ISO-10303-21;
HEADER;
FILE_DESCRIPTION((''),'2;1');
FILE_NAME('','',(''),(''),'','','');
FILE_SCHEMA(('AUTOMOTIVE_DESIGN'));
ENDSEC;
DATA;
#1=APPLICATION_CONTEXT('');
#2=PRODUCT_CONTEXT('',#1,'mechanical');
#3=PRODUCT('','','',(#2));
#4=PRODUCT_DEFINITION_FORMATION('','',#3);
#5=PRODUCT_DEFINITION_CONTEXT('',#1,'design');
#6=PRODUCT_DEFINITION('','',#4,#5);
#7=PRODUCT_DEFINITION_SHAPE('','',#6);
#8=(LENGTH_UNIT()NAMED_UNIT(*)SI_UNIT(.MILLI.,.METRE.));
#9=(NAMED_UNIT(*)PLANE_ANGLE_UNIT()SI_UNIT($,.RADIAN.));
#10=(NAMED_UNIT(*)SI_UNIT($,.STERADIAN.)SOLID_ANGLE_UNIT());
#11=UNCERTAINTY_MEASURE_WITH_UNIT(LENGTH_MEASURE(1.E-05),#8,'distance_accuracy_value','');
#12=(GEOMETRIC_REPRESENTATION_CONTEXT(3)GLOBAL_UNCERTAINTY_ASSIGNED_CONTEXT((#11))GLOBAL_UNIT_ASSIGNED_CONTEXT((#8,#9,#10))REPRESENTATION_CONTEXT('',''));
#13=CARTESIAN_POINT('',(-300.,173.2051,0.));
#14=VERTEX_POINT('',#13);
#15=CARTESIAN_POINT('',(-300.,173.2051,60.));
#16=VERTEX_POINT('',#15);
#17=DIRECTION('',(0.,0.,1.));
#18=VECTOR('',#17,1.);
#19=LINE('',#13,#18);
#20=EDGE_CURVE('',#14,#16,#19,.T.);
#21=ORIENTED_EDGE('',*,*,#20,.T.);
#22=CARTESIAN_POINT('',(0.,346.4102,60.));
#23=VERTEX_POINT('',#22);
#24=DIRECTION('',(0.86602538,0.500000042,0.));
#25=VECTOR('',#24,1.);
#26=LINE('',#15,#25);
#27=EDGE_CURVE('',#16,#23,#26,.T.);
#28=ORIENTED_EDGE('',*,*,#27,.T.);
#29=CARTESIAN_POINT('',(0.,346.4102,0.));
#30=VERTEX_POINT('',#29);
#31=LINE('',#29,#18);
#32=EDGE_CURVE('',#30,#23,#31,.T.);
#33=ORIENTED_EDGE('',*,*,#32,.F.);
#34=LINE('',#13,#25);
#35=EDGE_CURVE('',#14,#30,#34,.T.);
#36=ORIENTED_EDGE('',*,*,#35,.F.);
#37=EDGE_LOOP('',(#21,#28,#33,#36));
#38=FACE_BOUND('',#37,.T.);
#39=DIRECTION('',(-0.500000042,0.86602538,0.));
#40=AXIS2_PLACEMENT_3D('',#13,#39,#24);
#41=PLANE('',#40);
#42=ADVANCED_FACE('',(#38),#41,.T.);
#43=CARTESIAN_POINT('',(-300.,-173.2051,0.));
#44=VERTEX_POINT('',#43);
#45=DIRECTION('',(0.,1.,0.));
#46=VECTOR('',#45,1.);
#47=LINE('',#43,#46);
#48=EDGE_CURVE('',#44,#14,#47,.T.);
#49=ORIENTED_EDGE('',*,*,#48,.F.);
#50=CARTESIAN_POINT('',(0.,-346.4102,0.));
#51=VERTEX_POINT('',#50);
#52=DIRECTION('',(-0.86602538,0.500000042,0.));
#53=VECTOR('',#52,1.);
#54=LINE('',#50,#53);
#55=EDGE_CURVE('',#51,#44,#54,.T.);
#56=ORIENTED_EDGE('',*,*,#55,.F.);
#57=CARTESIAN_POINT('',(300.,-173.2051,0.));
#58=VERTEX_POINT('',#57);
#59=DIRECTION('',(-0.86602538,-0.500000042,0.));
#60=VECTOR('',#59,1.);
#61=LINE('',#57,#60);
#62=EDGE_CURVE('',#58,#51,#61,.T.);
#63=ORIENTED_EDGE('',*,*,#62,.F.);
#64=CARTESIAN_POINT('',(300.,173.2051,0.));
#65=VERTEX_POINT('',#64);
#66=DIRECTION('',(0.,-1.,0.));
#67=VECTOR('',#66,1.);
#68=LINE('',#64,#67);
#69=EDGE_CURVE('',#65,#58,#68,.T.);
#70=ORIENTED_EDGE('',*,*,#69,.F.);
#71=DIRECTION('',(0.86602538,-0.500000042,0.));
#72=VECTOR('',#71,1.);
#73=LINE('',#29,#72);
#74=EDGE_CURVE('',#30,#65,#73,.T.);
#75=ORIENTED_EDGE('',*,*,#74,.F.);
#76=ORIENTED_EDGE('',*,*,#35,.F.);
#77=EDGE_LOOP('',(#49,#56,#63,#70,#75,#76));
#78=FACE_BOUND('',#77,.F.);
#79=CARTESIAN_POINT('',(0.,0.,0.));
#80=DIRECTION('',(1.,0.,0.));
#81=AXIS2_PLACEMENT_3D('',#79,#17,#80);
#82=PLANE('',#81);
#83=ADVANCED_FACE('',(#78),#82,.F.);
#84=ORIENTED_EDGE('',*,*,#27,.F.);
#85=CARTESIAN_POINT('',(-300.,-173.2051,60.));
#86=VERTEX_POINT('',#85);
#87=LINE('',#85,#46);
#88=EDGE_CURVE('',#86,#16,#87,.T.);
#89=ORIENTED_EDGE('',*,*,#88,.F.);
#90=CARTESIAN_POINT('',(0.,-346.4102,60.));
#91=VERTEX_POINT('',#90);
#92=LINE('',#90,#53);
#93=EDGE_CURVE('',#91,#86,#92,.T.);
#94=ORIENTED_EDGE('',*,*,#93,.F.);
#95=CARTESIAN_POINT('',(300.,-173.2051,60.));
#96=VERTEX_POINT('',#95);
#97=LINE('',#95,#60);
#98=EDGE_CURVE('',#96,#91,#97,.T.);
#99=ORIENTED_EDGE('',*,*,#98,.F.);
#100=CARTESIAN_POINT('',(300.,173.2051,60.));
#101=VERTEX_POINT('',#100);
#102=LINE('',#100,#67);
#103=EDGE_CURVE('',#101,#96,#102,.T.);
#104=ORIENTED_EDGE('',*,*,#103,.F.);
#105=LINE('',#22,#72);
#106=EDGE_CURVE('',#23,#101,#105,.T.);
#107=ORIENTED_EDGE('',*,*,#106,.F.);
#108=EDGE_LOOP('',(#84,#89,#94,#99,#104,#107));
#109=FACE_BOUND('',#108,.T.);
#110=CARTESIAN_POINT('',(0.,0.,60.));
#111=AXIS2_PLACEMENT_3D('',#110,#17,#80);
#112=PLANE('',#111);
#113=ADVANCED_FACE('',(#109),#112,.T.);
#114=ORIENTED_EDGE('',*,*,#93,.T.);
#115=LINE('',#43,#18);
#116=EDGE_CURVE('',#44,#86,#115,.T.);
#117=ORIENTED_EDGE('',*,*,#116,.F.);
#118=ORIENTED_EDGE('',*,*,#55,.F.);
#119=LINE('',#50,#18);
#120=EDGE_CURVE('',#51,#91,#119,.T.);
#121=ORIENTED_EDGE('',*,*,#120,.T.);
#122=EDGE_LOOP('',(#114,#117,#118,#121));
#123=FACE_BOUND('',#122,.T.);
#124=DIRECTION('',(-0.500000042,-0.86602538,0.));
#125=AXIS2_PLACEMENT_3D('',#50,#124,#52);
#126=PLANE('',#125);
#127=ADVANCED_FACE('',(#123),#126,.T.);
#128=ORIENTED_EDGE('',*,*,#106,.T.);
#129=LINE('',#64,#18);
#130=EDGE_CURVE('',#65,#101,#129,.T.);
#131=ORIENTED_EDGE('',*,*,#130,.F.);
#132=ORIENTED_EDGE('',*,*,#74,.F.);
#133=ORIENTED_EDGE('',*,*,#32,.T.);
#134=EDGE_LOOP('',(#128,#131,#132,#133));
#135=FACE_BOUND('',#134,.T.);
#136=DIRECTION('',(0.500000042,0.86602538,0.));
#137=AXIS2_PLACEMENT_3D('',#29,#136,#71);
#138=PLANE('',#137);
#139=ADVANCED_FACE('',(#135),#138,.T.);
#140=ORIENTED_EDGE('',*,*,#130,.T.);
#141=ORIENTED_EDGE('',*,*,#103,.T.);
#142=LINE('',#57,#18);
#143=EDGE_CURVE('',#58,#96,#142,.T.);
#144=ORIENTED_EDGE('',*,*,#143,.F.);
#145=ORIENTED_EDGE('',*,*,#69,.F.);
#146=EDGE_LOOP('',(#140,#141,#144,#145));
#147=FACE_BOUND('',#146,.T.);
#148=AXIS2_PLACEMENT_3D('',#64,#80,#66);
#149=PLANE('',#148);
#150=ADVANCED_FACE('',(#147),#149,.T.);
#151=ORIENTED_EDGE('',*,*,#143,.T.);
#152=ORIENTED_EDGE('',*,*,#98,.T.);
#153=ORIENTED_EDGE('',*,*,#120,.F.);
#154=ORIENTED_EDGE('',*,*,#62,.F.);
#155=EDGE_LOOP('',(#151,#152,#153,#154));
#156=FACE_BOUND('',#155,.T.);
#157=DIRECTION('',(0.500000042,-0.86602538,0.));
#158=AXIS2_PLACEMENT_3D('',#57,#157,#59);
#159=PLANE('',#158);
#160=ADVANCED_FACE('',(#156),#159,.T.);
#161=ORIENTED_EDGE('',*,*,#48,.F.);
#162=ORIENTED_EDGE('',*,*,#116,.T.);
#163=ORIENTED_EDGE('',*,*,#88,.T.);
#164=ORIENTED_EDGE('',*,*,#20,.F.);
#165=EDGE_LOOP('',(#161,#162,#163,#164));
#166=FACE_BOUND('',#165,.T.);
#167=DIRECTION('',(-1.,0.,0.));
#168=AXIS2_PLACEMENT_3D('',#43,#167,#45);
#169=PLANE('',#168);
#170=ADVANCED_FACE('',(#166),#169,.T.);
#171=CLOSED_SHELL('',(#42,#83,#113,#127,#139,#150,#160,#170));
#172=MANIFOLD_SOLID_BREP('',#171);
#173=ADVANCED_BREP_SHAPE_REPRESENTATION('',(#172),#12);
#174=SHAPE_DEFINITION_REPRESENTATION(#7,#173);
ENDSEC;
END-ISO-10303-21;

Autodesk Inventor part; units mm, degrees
ref_plane "YZ Plane" through (0, 0, 0) normal (1, 0, 0) x (0, 1, 0)
ref_plane "XZ Plane" through (0, 0, 0) normal (0, 1, 0) x (-1, 0, 0)
ref_plane "Work Plane1" through (0, 0, 0) normal (0, 0, 1) x (1, 0, 0)
sketch "Sketch1" plane through (0, 0, 0) normal (0, 0, 1) x (1, 0, 0)
  line L0 (300, -173.2051) -> (0, -346.4102)
  line L1 (0, -346.4102) -> (-300, -173.2051)
  line L2 (-300, -173.2051) -> (-300, 173.2051)
  line L3 (-300, 173.2051) -> (0, 346.4102)
  line L4 (0, 346.4102) -> (300, 173.2051)
  line L5 (300, 173.2051) -> (300, -173.2051)
  point P0 (0, 0)
  point P1 (0, 0)
  dimension "d0" = 300
extrude "Extrusion1" add sketch "Sketch1" along normal blind 60
properties part number "Gel" material "Phenolic Resin"
